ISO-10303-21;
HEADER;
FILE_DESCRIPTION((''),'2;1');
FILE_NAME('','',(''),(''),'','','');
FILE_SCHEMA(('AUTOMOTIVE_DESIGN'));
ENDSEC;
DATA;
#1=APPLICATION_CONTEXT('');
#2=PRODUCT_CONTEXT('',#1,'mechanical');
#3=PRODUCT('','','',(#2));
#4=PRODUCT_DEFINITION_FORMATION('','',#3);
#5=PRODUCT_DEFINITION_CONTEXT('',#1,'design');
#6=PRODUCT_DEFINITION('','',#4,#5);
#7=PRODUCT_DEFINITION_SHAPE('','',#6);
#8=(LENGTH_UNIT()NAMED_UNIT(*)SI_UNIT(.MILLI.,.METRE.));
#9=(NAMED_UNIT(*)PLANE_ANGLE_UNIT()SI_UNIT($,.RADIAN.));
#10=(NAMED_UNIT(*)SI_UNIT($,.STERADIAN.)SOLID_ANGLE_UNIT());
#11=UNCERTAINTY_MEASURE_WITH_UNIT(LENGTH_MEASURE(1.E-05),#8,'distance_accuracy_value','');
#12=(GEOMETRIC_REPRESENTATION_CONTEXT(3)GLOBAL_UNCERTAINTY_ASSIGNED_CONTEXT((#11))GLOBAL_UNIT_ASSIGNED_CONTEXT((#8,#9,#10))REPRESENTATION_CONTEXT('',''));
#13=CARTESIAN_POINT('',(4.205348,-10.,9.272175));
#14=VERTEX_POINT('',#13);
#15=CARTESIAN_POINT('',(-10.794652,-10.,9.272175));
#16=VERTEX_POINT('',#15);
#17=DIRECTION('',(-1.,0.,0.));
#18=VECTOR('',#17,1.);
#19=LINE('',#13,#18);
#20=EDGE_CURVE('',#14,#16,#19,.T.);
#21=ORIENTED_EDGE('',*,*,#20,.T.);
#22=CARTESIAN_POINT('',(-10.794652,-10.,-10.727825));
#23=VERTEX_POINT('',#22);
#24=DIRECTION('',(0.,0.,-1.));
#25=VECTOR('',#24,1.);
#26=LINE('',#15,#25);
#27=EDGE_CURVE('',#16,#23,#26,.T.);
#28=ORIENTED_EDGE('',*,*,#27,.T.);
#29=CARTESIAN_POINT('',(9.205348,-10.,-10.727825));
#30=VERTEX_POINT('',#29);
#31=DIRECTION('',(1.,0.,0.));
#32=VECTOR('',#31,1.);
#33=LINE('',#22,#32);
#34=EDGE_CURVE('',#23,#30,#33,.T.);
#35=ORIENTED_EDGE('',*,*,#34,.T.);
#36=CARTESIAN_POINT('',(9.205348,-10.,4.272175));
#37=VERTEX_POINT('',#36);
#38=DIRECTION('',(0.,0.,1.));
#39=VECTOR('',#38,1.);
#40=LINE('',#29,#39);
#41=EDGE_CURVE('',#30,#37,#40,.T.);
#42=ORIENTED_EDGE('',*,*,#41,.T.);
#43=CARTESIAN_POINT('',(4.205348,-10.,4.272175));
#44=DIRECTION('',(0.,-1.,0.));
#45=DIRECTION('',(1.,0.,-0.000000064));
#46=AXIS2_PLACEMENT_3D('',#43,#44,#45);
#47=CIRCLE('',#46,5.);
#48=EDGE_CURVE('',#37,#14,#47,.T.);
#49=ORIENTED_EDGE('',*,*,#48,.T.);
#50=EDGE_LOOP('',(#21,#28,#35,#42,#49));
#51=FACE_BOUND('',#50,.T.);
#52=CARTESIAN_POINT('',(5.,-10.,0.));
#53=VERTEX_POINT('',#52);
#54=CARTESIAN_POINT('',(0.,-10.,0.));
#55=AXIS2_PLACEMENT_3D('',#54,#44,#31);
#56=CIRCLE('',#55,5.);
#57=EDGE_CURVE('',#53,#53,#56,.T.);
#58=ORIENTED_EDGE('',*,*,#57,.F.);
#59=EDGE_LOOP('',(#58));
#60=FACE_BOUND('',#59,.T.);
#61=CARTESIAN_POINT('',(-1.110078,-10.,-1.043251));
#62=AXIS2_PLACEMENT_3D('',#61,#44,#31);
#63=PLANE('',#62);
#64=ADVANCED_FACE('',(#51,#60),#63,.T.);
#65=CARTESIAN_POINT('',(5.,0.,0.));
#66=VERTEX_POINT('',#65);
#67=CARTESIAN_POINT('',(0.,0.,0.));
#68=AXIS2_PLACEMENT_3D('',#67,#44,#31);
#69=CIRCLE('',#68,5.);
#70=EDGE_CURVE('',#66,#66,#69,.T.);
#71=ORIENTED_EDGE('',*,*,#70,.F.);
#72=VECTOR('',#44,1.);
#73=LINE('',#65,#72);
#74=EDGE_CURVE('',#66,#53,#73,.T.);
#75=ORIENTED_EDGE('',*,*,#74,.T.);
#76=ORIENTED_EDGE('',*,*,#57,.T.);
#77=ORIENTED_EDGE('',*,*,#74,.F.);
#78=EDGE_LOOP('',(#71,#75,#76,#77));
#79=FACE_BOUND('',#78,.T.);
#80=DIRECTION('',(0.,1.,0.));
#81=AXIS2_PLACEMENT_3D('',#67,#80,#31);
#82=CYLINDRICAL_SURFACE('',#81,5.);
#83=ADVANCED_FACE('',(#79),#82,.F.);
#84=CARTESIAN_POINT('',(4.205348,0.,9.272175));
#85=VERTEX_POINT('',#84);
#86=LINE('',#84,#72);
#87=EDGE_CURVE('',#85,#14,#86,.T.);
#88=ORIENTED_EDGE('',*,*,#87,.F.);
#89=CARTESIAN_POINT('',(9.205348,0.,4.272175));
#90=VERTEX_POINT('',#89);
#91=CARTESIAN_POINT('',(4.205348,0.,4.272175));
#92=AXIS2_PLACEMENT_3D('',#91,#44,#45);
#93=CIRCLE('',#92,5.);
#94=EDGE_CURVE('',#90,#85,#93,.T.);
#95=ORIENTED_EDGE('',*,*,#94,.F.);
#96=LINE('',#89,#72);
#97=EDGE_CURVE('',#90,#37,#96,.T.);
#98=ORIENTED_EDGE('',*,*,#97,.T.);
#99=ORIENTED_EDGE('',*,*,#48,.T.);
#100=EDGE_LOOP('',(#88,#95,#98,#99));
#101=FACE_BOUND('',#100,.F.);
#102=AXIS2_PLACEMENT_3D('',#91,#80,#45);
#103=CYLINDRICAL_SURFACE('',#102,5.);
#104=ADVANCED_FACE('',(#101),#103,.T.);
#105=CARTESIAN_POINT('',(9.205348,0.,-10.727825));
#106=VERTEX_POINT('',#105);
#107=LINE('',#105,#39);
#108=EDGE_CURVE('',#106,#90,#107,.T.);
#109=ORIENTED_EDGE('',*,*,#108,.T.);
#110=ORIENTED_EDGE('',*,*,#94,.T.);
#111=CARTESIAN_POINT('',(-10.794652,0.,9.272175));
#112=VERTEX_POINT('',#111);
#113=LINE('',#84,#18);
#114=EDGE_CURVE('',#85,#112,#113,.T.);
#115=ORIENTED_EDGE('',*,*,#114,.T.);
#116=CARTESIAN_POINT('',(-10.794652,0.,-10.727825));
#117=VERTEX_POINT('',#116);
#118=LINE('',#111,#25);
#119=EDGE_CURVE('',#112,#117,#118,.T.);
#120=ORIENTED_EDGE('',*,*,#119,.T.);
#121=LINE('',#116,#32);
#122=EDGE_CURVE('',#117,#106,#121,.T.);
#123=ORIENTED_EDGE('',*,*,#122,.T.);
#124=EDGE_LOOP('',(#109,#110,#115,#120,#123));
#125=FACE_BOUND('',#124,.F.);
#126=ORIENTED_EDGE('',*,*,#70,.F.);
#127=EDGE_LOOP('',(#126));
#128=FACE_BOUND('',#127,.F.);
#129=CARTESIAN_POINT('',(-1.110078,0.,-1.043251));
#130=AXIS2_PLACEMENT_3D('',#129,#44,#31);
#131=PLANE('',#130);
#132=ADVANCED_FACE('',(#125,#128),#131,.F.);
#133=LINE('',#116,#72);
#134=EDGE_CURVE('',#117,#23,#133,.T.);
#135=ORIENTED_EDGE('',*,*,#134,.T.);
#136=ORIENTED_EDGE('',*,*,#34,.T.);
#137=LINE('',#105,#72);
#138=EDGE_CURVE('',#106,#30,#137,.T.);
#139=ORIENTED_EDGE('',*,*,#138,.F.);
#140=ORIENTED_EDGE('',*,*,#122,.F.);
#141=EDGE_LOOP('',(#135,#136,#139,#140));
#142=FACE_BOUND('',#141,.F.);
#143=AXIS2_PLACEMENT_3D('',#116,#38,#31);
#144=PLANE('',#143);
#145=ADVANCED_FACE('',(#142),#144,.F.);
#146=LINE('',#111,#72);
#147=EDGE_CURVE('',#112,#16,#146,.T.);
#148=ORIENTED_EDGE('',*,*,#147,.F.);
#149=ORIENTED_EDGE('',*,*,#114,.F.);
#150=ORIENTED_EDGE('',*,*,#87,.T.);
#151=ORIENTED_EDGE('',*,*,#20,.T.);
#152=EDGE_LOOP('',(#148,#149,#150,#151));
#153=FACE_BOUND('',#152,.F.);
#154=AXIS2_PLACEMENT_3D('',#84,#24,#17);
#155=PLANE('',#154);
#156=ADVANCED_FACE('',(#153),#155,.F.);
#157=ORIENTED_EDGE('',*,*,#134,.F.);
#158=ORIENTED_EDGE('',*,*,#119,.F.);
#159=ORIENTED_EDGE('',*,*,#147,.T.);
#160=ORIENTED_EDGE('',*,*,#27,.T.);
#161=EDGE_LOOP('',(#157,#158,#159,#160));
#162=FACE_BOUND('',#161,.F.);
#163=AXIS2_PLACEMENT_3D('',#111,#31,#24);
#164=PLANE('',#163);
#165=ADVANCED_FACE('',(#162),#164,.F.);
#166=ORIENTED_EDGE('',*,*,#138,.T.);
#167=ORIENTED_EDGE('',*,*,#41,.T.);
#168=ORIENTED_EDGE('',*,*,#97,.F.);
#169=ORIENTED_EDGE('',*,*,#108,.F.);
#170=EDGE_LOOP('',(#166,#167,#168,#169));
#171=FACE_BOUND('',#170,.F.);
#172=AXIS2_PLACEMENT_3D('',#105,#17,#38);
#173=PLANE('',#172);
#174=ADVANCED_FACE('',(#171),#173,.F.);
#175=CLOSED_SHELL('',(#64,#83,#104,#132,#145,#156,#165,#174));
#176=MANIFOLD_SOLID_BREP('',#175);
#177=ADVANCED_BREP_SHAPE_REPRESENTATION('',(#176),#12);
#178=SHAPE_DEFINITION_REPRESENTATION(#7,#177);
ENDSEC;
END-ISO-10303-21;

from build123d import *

# Parameters (mm, degrees)
F0_R     = 5
F1_DEPTH = 10


with BuildPart() as f1:
    # F0 (on Front) → F1 (new body)
    with BuildSketch(Plane.XZ):
        with BuildLine():
            Line((-0.794652, 9.272175), (-10.794652, 9.272175))
            Line((-10.794652, 9.272175), (-10.794652, -10.727825))
            Line((-10.794652, -10.727825), (9.205348, -10.727825))
            Line((9.205348, -10.727825), (9.205348, 4.272175))
            ThreePointArc((9.205348, 4.272175), (7.740882, 7.807709), (4.205348, 9.272175))
            Line((4.205348, 9.272175), (0, 9.272175))
            Line((0, 9.272175), (-0.794652, 9.272175))
        make_face()
        Circle(F0_R, mode=Mode.SUBTRACT)
    extrude(amount=F1_DEPTH)


solid = f1.part
